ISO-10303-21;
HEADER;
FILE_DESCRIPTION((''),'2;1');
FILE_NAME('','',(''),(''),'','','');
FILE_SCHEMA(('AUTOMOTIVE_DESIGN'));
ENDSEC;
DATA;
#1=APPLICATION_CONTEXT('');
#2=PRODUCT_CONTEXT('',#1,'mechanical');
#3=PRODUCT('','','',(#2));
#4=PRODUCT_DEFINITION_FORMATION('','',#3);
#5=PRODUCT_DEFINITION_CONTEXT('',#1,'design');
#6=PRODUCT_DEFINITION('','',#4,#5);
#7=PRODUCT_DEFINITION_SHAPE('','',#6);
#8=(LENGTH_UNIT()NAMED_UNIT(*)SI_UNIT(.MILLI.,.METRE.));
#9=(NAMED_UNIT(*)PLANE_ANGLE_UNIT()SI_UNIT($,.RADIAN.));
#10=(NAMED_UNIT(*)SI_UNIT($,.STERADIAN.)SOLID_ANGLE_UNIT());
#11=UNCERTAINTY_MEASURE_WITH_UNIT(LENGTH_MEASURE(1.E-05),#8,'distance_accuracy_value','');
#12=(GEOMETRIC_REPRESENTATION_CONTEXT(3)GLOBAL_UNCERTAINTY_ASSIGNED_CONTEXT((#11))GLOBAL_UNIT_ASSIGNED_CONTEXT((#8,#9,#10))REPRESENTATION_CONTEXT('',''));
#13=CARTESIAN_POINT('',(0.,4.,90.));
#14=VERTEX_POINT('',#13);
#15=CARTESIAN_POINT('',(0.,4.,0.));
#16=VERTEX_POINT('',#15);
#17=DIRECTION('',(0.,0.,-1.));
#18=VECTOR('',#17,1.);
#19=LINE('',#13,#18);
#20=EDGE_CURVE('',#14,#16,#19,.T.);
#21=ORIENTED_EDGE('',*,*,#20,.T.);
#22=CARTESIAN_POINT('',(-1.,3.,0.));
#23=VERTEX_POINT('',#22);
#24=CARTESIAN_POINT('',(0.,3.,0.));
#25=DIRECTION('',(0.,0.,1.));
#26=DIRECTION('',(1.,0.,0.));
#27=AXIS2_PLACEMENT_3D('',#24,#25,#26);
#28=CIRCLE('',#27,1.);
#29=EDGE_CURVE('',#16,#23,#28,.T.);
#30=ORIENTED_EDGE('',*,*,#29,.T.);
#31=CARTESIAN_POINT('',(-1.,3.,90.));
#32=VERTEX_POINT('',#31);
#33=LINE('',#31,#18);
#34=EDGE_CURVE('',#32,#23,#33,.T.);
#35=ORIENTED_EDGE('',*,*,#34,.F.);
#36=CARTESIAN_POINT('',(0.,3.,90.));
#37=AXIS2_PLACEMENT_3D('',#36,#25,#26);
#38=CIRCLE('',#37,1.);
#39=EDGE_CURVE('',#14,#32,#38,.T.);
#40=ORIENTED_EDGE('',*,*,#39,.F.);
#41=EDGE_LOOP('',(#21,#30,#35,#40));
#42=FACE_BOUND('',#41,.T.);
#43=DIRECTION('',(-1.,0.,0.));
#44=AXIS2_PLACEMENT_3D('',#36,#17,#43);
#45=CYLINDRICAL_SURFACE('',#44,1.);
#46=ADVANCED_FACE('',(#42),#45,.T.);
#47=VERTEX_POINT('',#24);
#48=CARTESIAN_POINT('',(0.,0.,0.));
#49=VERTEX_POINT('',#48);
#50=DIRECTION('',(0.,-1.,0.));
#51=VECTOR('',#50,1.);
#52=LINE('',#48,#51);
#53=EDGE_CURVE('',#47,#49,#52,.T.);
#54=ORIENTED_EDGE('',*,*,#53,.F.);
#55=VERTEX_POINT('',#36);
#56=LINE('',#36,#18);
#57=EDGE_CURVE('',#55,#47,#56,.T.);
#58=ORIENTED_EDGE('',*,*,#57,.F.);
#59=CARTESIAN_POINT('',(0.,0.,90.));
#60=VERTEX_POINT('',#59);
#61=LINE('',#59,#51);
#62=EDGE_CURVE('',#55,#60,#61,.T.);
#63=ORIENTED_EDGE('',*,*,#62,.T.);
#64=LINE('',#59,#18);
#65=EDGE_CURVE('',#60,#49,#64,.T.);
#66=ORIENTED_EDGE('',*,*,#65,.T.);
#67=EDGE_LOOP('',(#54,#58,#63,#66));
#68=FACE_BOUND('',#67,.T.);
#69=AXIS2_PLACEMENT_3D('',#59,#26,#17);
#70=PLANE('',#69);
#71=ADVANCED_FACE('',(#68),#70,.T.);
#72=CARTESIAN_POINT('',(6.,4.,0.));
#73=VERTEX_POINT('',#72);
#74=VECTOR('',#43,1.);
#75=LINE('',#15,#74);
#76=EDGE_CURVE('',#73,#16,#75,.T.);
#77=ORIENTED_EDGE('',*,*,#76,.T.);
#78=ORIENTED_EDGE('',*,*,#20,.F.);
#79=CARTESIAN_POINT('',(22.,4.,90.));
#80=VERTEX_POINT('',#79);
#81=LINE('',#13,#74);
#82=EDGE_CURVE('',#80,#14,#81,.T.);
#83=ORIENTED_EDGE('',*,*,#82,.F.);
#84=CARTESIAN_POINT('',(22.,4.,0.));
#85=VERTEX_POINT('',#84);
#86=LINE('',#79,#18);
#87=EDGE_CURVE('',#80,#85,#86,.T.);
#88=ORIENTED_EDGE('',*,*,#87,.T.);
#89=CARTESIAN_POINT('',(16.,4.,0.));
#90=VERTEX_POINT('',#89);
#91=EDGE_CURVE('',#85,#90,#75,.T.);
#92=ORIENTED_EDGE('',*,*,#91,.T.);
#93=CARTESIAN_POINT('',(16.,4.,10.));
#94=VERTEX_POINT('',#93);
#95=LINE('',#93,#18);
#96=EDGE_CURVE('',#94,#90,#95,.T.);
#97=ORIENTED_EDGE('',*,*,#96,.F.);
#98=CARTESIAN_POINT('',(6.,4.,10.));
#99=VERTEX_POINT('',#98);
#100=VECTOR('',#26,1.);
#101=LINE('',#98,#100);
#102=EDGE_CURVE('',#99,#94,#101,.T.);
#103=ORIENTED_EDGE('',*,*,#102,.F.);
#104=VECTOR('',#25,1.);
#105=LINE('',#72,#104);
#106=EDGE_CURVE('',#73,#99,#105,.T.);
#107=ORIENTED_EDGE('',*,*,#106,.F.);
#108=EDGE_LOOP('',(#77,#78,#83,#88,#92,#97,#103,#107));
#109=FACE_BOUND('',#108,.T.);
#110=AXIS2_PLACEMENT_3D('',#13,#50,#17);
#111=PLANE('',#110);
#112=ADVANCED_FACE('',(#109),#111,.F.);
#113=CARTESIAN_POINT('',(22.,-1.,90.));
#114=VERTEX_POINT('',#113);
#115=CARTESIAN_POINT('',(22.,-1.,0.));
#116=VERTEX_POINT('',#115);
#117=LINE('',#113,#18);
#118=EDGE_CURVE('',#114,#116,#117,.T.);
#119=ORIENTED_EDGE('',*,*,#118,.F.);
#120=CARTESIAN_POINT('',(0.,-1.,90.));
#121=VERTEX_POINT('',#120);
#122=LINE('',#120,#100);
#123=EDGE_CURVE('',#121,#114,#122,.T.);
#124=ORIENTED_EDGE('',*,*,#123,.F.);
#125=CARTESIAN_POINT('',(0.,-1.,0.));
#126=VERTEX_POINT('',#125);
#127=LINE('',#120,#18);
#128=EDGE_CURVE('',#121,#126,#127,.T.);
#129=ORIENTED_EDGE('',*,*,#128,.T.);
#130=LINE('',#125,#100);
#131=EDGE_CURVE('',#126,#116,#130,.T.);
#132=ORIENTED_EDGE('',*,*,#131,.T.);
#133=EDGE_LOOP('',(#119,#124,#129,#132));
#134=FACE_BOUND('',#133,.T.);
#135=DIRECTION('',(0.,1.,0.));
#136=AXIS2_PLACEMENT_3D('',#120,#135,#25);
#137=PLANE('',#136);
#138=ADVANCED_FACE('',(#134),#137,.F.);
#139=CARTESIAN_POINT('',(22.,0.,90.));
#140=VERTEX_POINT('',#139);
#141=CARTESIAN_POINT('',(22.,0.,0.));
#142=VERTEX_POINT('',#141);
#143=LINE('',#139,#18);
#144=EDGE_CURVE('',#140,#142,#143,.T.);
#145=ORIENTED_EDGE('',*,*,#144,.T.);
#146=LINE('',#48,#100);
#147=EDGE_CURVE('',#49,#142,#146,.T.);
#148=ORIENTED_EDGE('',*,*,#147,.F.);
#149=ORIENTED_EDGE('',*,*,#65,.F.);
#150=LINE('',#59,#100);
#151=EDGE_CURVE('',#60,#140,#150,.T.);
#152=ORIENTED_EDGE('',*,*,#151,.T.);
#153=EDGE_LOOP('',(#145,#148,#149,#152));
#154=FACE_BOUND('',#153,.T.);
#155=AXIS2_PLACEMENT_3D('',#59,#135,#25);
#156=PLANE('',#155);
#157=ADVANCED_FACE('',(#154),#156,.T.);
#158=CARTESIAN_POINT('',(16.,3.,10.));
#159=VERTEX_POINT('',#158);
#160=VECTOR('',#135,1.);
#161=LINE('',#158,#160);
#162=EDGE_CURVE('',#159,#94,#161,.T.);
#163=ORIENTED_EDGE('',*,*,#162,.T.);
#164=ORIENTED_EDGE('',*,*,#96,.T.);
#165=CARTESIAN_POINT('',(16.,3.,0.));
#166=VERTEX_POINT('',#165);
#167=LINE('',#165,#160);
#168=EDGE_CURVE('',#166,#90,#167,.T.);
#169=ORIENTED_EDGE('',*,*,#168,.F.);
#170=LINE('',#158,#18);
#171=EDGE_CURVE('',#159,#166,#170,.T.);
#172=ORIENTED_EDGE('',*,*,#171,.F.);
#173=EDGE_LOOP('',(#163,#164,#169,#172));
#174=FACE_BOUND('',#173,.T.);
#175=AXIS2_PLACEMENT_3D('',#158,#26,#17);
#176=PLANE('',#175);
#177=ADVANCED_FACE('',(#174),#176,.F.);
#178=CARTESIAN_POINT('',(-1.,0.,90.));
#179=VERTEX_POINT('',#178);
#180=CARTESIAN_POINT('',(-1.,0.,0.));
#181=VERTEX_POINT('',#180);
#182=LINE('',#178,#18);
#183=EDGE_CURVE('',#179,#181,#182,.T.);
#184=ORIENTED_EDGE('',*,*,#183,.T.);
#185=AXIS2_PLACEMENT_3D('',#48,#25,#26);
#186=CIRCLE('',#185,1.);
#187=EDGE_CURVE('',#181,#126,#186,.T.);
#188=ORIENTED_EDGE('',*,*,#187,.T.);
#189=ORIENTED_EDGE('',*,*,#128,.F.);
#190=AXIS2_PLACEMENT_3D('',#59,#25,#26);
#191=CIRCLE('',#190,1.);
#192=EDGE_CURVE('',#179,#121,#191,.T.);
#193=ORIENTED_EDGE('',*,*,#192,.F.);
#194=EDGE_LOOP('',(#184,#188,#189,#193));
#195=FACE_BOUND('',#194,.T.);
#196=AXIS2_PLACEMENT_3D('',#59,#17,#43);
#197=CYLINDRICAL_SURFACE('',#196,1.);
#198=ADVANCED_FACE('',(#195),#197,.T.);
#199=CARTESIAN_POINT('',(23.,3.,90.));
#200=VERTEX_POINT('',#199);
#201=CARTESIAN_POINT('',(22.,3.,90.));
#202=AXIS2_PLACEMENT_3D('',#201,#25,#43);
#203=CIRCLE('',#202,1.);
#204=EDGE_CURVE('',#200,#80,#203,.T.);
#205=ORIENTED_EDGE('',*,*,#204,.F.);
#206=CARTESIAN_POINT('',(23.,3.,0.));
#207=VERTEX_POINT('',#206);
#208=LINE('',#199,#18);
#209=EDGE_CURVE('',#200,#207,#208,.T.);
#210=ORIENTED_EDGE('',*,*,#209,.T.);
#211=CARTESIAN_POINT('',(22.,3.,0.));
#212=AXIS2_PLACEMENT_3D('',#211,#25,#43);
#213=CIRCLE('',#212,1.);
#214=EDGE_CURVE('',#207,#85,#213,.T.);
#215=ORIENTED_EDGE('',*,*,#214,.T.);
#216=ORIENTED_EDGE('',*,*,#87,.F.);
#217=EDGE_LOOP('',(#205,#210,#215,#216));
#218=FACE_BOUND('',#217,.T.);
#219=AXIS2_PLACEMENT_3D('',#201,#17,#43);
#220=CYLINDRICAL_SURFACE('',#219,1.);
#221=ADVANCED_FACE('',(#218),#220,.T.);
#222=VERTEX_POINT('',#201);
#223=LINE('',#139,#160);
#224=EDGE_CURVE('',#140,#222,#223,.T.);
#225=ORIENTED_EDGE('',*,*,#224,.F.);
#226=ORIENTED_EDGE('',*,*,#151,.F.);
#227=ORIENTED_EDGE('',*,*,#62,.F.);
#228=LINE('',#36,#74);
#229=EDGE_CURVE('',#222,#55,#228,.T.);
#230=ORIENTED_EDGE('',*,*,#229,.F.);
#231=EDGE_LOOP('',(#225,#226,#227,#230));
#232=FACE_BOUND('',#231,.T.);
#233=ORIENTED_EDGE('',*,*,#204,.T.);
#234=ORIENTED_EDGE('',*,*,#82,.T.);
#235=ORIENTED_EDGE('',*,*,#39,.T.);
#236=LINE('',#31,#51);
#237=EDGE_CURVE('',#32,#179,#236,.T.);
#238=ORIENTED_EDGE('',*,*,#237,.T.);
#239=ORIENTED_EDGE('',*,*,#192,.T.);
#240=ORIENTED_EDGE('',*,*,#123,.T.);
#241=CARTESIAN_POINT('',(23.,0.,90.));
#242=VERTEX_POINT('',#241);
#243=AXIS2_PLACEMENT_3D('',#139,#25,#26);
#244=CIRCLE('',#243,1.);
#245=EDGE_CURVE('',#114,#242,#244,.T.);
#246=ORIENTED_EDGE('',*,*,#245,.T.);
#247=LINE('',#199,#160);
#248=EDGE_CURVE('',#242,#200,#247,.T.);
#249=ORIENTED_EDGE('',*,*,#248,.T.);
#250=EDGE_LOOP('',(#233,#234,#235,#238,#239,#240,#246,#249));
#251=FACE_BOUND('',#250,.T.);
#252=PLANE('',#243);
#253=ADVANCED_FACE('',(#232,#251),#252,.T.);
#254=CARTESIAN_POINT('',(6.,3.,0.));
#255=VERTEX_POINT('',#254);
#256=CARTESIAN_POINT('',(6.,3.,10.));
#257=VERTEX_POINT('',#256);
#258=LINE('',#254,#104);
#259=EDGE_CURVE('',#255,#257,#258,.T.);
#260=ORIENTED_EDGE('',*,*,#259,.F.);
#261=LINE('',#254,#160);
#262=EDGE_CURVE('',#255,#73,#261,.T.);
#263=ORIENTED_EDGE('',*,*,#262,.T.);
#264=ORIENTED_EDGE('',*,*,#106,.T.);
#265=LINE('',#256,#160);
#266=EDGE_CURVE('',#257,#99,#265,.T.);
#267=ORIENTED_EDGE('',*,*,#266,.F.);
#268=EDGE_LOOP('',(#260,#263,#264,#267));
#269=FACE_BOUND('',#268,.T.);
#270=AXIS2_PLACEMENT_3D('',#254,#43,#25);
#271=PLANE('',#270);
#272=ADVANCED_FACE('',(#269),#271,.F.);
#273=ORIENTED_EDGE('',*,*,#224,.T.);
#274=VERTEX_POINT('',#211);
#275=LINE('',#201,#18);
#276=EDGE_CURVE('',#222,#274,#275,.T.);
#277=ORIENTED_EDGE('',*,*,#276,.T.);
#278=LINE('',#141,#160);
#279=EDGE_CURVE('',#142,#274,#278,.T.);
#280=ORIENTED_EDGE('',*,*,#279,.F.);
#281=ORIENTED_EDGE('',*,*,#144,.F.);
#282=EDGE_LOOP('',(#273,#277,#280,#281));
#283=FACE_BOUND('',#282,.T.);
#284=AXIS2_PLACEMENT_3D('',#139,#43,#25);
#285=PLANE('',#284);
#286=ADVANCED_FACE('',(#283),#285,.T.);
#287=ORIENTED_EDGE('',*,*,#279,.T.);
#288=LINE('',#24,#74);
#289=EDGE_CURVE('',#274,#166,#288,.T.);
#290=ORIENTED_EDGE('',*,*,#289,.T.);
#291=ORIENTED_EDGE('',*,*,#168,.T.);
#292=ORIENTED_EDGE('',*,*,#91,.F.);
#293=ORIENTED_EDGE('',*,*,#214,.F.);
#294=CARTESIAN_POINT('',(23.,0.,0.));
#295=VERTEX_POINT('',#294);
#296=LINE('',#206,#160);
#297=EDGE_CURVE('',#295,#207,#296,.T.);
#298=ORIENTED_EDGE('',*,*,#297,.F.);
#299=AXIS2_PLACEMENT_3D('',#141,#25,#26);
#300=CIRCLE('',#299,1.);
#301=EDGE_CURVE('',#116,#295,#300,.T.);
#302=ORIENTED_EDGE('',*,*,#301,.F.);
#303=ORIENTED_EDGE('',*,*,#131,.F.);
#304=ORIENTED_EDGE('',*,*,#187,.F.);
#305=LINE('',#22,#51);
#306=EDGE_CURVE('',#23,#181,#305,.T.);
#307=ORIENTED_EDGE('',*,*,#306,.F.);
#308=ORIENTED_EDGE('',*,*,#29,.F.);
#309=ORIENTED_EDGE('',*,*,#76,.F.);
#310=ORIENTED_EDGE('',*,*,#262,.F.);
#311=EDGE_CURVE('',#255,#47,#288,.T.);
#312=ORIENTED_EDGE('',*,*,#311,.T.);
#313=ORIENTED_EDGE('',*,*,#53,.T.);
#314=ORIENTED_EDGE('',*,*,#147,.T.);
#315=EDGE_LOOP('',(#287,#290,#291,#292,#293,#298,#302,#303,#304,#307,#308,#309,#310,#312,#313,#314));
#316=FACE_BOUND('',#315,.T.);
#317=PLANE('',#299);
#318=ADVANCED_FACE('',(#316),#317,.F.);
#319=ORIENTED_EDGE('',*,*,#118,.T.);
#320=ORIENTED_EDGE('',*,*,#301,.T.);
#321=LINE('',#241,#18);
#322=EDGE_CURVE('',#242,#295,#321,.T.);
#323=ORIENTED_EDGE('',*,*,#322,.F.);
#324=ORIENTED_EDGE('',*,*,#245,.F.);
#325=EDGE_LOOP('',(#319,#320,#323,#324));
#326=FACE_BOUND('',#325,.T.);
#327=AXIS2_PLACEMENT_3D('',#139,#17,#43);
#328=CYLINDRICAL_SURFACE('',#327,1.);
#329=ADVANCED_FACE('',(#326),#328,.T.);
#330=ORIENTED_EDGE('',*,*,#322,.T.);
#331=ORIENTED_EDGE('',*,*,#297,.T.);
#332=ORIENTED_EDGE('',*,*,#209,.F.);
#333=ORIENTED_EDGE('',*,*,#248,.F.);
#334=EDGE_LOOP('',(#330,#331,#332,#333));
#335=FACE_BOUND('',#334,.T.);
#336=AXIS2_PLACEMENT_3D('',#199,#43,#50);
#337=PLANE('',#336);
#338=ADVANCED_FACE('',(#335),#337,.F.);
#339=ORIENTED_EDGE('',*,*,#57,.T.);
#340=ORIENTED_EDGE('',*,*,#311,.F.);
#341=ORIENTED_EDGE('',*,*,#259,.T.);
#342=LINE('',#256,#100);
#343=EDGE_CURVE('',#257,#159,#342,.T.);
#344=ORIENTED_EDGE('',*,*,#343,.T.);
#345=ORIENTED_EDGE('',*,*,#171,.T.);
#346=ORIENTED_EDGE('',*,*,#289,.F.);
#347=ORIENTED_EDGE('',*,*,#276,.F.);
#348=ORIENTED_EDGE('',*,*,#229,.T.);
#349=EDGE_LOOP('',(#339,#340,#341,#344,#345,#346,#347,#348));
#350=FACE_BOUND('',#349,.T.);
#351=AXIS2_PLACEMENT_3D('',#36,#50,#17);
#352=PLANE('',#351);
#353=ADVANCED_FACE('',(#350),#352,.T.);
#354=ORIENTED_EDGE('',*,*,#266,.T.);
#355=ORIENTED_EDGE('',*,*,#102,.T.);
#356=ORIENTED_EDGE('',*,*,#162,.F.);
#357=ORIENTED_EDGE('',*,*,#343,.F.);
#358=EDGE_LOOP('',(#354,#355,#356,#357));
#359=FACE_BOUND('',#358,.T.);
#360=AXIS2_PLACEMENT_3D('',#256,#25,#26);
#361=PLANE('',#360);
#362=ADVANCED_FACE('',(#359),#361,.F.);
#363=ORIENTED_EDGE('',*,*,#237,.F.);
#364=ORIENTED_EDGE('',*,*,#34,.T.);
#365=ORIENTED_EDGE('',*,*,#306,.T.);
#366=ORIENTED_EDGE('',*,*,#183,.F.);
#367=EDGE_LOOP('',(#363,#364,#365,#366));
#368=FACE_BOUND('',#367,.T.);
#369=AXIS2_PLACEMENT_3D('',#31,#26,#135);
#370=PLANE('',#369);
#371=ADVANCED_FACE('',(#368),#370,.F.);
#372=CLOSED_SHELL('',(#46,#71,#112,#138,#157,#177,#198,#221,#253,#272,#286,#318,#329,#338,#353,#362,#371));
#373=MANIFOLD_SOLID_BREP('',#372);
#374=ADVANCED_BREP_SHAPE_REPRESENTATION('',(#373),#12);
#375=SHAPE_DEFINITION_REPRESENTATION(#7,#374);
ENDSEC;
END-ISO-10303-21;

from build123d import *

# Parameters (mm, degrees)
SKETCH_1_W          = 22
SKETCH_1_H          = 3
EXTRUDE_1_DEPTH     = 90
SKETCH_2_W          = 10
SKETCH_2_H          = 10
CUT_EXTRUDE_1_DEPTH = 1


with BuildPart() as part:
    # 草图1 → 凸台-拉伸1 (new body)
    with BuildSketch(Plane.XY):
        with BuildLine():
            Line((0, 4), (22, 4))
            ThreePointArc((22, 4), (22.707106781, 3.707106781), (23, 3))
            Line((23, 3), (23, 0))
            ThreePointArc((23, 0), (22.707106781, -0.707106781), (22, -1))
            Line((22, -1), (0, -1))
            ThreePointArc((0, -1), (-0.707106781, -0.707106781), (-1, 0))
            Line((-1, 0), (-1, 3))
            ThreePointArc((-1, 3), (-0.707106781, 3.707106781), (0, 4))
        make_face()
        with Locations((11, 1.5)):
            Rectangle(SKETCH_1_W, SKETCH_1_H, mode=Mode.SUBTRACT)
    extrude(amount=EXTRUDE_1_DEPTH)

    # 草图2 → 切除-拉伸1 (cut)
    with BuildSketch(Plane(origin=(0, 4, 0), x_dir=(1, 0, 0), z_dir=(0, 1, 0))):
        with Locations((11, -5)):
            Rectangle(SKETCH_2_W, SKETCH_2_H)
    extrude(amount=-CUT_EXTRUDE_1_DEPTH, mode=Mode.SUBTRACT)


solid = part.part
